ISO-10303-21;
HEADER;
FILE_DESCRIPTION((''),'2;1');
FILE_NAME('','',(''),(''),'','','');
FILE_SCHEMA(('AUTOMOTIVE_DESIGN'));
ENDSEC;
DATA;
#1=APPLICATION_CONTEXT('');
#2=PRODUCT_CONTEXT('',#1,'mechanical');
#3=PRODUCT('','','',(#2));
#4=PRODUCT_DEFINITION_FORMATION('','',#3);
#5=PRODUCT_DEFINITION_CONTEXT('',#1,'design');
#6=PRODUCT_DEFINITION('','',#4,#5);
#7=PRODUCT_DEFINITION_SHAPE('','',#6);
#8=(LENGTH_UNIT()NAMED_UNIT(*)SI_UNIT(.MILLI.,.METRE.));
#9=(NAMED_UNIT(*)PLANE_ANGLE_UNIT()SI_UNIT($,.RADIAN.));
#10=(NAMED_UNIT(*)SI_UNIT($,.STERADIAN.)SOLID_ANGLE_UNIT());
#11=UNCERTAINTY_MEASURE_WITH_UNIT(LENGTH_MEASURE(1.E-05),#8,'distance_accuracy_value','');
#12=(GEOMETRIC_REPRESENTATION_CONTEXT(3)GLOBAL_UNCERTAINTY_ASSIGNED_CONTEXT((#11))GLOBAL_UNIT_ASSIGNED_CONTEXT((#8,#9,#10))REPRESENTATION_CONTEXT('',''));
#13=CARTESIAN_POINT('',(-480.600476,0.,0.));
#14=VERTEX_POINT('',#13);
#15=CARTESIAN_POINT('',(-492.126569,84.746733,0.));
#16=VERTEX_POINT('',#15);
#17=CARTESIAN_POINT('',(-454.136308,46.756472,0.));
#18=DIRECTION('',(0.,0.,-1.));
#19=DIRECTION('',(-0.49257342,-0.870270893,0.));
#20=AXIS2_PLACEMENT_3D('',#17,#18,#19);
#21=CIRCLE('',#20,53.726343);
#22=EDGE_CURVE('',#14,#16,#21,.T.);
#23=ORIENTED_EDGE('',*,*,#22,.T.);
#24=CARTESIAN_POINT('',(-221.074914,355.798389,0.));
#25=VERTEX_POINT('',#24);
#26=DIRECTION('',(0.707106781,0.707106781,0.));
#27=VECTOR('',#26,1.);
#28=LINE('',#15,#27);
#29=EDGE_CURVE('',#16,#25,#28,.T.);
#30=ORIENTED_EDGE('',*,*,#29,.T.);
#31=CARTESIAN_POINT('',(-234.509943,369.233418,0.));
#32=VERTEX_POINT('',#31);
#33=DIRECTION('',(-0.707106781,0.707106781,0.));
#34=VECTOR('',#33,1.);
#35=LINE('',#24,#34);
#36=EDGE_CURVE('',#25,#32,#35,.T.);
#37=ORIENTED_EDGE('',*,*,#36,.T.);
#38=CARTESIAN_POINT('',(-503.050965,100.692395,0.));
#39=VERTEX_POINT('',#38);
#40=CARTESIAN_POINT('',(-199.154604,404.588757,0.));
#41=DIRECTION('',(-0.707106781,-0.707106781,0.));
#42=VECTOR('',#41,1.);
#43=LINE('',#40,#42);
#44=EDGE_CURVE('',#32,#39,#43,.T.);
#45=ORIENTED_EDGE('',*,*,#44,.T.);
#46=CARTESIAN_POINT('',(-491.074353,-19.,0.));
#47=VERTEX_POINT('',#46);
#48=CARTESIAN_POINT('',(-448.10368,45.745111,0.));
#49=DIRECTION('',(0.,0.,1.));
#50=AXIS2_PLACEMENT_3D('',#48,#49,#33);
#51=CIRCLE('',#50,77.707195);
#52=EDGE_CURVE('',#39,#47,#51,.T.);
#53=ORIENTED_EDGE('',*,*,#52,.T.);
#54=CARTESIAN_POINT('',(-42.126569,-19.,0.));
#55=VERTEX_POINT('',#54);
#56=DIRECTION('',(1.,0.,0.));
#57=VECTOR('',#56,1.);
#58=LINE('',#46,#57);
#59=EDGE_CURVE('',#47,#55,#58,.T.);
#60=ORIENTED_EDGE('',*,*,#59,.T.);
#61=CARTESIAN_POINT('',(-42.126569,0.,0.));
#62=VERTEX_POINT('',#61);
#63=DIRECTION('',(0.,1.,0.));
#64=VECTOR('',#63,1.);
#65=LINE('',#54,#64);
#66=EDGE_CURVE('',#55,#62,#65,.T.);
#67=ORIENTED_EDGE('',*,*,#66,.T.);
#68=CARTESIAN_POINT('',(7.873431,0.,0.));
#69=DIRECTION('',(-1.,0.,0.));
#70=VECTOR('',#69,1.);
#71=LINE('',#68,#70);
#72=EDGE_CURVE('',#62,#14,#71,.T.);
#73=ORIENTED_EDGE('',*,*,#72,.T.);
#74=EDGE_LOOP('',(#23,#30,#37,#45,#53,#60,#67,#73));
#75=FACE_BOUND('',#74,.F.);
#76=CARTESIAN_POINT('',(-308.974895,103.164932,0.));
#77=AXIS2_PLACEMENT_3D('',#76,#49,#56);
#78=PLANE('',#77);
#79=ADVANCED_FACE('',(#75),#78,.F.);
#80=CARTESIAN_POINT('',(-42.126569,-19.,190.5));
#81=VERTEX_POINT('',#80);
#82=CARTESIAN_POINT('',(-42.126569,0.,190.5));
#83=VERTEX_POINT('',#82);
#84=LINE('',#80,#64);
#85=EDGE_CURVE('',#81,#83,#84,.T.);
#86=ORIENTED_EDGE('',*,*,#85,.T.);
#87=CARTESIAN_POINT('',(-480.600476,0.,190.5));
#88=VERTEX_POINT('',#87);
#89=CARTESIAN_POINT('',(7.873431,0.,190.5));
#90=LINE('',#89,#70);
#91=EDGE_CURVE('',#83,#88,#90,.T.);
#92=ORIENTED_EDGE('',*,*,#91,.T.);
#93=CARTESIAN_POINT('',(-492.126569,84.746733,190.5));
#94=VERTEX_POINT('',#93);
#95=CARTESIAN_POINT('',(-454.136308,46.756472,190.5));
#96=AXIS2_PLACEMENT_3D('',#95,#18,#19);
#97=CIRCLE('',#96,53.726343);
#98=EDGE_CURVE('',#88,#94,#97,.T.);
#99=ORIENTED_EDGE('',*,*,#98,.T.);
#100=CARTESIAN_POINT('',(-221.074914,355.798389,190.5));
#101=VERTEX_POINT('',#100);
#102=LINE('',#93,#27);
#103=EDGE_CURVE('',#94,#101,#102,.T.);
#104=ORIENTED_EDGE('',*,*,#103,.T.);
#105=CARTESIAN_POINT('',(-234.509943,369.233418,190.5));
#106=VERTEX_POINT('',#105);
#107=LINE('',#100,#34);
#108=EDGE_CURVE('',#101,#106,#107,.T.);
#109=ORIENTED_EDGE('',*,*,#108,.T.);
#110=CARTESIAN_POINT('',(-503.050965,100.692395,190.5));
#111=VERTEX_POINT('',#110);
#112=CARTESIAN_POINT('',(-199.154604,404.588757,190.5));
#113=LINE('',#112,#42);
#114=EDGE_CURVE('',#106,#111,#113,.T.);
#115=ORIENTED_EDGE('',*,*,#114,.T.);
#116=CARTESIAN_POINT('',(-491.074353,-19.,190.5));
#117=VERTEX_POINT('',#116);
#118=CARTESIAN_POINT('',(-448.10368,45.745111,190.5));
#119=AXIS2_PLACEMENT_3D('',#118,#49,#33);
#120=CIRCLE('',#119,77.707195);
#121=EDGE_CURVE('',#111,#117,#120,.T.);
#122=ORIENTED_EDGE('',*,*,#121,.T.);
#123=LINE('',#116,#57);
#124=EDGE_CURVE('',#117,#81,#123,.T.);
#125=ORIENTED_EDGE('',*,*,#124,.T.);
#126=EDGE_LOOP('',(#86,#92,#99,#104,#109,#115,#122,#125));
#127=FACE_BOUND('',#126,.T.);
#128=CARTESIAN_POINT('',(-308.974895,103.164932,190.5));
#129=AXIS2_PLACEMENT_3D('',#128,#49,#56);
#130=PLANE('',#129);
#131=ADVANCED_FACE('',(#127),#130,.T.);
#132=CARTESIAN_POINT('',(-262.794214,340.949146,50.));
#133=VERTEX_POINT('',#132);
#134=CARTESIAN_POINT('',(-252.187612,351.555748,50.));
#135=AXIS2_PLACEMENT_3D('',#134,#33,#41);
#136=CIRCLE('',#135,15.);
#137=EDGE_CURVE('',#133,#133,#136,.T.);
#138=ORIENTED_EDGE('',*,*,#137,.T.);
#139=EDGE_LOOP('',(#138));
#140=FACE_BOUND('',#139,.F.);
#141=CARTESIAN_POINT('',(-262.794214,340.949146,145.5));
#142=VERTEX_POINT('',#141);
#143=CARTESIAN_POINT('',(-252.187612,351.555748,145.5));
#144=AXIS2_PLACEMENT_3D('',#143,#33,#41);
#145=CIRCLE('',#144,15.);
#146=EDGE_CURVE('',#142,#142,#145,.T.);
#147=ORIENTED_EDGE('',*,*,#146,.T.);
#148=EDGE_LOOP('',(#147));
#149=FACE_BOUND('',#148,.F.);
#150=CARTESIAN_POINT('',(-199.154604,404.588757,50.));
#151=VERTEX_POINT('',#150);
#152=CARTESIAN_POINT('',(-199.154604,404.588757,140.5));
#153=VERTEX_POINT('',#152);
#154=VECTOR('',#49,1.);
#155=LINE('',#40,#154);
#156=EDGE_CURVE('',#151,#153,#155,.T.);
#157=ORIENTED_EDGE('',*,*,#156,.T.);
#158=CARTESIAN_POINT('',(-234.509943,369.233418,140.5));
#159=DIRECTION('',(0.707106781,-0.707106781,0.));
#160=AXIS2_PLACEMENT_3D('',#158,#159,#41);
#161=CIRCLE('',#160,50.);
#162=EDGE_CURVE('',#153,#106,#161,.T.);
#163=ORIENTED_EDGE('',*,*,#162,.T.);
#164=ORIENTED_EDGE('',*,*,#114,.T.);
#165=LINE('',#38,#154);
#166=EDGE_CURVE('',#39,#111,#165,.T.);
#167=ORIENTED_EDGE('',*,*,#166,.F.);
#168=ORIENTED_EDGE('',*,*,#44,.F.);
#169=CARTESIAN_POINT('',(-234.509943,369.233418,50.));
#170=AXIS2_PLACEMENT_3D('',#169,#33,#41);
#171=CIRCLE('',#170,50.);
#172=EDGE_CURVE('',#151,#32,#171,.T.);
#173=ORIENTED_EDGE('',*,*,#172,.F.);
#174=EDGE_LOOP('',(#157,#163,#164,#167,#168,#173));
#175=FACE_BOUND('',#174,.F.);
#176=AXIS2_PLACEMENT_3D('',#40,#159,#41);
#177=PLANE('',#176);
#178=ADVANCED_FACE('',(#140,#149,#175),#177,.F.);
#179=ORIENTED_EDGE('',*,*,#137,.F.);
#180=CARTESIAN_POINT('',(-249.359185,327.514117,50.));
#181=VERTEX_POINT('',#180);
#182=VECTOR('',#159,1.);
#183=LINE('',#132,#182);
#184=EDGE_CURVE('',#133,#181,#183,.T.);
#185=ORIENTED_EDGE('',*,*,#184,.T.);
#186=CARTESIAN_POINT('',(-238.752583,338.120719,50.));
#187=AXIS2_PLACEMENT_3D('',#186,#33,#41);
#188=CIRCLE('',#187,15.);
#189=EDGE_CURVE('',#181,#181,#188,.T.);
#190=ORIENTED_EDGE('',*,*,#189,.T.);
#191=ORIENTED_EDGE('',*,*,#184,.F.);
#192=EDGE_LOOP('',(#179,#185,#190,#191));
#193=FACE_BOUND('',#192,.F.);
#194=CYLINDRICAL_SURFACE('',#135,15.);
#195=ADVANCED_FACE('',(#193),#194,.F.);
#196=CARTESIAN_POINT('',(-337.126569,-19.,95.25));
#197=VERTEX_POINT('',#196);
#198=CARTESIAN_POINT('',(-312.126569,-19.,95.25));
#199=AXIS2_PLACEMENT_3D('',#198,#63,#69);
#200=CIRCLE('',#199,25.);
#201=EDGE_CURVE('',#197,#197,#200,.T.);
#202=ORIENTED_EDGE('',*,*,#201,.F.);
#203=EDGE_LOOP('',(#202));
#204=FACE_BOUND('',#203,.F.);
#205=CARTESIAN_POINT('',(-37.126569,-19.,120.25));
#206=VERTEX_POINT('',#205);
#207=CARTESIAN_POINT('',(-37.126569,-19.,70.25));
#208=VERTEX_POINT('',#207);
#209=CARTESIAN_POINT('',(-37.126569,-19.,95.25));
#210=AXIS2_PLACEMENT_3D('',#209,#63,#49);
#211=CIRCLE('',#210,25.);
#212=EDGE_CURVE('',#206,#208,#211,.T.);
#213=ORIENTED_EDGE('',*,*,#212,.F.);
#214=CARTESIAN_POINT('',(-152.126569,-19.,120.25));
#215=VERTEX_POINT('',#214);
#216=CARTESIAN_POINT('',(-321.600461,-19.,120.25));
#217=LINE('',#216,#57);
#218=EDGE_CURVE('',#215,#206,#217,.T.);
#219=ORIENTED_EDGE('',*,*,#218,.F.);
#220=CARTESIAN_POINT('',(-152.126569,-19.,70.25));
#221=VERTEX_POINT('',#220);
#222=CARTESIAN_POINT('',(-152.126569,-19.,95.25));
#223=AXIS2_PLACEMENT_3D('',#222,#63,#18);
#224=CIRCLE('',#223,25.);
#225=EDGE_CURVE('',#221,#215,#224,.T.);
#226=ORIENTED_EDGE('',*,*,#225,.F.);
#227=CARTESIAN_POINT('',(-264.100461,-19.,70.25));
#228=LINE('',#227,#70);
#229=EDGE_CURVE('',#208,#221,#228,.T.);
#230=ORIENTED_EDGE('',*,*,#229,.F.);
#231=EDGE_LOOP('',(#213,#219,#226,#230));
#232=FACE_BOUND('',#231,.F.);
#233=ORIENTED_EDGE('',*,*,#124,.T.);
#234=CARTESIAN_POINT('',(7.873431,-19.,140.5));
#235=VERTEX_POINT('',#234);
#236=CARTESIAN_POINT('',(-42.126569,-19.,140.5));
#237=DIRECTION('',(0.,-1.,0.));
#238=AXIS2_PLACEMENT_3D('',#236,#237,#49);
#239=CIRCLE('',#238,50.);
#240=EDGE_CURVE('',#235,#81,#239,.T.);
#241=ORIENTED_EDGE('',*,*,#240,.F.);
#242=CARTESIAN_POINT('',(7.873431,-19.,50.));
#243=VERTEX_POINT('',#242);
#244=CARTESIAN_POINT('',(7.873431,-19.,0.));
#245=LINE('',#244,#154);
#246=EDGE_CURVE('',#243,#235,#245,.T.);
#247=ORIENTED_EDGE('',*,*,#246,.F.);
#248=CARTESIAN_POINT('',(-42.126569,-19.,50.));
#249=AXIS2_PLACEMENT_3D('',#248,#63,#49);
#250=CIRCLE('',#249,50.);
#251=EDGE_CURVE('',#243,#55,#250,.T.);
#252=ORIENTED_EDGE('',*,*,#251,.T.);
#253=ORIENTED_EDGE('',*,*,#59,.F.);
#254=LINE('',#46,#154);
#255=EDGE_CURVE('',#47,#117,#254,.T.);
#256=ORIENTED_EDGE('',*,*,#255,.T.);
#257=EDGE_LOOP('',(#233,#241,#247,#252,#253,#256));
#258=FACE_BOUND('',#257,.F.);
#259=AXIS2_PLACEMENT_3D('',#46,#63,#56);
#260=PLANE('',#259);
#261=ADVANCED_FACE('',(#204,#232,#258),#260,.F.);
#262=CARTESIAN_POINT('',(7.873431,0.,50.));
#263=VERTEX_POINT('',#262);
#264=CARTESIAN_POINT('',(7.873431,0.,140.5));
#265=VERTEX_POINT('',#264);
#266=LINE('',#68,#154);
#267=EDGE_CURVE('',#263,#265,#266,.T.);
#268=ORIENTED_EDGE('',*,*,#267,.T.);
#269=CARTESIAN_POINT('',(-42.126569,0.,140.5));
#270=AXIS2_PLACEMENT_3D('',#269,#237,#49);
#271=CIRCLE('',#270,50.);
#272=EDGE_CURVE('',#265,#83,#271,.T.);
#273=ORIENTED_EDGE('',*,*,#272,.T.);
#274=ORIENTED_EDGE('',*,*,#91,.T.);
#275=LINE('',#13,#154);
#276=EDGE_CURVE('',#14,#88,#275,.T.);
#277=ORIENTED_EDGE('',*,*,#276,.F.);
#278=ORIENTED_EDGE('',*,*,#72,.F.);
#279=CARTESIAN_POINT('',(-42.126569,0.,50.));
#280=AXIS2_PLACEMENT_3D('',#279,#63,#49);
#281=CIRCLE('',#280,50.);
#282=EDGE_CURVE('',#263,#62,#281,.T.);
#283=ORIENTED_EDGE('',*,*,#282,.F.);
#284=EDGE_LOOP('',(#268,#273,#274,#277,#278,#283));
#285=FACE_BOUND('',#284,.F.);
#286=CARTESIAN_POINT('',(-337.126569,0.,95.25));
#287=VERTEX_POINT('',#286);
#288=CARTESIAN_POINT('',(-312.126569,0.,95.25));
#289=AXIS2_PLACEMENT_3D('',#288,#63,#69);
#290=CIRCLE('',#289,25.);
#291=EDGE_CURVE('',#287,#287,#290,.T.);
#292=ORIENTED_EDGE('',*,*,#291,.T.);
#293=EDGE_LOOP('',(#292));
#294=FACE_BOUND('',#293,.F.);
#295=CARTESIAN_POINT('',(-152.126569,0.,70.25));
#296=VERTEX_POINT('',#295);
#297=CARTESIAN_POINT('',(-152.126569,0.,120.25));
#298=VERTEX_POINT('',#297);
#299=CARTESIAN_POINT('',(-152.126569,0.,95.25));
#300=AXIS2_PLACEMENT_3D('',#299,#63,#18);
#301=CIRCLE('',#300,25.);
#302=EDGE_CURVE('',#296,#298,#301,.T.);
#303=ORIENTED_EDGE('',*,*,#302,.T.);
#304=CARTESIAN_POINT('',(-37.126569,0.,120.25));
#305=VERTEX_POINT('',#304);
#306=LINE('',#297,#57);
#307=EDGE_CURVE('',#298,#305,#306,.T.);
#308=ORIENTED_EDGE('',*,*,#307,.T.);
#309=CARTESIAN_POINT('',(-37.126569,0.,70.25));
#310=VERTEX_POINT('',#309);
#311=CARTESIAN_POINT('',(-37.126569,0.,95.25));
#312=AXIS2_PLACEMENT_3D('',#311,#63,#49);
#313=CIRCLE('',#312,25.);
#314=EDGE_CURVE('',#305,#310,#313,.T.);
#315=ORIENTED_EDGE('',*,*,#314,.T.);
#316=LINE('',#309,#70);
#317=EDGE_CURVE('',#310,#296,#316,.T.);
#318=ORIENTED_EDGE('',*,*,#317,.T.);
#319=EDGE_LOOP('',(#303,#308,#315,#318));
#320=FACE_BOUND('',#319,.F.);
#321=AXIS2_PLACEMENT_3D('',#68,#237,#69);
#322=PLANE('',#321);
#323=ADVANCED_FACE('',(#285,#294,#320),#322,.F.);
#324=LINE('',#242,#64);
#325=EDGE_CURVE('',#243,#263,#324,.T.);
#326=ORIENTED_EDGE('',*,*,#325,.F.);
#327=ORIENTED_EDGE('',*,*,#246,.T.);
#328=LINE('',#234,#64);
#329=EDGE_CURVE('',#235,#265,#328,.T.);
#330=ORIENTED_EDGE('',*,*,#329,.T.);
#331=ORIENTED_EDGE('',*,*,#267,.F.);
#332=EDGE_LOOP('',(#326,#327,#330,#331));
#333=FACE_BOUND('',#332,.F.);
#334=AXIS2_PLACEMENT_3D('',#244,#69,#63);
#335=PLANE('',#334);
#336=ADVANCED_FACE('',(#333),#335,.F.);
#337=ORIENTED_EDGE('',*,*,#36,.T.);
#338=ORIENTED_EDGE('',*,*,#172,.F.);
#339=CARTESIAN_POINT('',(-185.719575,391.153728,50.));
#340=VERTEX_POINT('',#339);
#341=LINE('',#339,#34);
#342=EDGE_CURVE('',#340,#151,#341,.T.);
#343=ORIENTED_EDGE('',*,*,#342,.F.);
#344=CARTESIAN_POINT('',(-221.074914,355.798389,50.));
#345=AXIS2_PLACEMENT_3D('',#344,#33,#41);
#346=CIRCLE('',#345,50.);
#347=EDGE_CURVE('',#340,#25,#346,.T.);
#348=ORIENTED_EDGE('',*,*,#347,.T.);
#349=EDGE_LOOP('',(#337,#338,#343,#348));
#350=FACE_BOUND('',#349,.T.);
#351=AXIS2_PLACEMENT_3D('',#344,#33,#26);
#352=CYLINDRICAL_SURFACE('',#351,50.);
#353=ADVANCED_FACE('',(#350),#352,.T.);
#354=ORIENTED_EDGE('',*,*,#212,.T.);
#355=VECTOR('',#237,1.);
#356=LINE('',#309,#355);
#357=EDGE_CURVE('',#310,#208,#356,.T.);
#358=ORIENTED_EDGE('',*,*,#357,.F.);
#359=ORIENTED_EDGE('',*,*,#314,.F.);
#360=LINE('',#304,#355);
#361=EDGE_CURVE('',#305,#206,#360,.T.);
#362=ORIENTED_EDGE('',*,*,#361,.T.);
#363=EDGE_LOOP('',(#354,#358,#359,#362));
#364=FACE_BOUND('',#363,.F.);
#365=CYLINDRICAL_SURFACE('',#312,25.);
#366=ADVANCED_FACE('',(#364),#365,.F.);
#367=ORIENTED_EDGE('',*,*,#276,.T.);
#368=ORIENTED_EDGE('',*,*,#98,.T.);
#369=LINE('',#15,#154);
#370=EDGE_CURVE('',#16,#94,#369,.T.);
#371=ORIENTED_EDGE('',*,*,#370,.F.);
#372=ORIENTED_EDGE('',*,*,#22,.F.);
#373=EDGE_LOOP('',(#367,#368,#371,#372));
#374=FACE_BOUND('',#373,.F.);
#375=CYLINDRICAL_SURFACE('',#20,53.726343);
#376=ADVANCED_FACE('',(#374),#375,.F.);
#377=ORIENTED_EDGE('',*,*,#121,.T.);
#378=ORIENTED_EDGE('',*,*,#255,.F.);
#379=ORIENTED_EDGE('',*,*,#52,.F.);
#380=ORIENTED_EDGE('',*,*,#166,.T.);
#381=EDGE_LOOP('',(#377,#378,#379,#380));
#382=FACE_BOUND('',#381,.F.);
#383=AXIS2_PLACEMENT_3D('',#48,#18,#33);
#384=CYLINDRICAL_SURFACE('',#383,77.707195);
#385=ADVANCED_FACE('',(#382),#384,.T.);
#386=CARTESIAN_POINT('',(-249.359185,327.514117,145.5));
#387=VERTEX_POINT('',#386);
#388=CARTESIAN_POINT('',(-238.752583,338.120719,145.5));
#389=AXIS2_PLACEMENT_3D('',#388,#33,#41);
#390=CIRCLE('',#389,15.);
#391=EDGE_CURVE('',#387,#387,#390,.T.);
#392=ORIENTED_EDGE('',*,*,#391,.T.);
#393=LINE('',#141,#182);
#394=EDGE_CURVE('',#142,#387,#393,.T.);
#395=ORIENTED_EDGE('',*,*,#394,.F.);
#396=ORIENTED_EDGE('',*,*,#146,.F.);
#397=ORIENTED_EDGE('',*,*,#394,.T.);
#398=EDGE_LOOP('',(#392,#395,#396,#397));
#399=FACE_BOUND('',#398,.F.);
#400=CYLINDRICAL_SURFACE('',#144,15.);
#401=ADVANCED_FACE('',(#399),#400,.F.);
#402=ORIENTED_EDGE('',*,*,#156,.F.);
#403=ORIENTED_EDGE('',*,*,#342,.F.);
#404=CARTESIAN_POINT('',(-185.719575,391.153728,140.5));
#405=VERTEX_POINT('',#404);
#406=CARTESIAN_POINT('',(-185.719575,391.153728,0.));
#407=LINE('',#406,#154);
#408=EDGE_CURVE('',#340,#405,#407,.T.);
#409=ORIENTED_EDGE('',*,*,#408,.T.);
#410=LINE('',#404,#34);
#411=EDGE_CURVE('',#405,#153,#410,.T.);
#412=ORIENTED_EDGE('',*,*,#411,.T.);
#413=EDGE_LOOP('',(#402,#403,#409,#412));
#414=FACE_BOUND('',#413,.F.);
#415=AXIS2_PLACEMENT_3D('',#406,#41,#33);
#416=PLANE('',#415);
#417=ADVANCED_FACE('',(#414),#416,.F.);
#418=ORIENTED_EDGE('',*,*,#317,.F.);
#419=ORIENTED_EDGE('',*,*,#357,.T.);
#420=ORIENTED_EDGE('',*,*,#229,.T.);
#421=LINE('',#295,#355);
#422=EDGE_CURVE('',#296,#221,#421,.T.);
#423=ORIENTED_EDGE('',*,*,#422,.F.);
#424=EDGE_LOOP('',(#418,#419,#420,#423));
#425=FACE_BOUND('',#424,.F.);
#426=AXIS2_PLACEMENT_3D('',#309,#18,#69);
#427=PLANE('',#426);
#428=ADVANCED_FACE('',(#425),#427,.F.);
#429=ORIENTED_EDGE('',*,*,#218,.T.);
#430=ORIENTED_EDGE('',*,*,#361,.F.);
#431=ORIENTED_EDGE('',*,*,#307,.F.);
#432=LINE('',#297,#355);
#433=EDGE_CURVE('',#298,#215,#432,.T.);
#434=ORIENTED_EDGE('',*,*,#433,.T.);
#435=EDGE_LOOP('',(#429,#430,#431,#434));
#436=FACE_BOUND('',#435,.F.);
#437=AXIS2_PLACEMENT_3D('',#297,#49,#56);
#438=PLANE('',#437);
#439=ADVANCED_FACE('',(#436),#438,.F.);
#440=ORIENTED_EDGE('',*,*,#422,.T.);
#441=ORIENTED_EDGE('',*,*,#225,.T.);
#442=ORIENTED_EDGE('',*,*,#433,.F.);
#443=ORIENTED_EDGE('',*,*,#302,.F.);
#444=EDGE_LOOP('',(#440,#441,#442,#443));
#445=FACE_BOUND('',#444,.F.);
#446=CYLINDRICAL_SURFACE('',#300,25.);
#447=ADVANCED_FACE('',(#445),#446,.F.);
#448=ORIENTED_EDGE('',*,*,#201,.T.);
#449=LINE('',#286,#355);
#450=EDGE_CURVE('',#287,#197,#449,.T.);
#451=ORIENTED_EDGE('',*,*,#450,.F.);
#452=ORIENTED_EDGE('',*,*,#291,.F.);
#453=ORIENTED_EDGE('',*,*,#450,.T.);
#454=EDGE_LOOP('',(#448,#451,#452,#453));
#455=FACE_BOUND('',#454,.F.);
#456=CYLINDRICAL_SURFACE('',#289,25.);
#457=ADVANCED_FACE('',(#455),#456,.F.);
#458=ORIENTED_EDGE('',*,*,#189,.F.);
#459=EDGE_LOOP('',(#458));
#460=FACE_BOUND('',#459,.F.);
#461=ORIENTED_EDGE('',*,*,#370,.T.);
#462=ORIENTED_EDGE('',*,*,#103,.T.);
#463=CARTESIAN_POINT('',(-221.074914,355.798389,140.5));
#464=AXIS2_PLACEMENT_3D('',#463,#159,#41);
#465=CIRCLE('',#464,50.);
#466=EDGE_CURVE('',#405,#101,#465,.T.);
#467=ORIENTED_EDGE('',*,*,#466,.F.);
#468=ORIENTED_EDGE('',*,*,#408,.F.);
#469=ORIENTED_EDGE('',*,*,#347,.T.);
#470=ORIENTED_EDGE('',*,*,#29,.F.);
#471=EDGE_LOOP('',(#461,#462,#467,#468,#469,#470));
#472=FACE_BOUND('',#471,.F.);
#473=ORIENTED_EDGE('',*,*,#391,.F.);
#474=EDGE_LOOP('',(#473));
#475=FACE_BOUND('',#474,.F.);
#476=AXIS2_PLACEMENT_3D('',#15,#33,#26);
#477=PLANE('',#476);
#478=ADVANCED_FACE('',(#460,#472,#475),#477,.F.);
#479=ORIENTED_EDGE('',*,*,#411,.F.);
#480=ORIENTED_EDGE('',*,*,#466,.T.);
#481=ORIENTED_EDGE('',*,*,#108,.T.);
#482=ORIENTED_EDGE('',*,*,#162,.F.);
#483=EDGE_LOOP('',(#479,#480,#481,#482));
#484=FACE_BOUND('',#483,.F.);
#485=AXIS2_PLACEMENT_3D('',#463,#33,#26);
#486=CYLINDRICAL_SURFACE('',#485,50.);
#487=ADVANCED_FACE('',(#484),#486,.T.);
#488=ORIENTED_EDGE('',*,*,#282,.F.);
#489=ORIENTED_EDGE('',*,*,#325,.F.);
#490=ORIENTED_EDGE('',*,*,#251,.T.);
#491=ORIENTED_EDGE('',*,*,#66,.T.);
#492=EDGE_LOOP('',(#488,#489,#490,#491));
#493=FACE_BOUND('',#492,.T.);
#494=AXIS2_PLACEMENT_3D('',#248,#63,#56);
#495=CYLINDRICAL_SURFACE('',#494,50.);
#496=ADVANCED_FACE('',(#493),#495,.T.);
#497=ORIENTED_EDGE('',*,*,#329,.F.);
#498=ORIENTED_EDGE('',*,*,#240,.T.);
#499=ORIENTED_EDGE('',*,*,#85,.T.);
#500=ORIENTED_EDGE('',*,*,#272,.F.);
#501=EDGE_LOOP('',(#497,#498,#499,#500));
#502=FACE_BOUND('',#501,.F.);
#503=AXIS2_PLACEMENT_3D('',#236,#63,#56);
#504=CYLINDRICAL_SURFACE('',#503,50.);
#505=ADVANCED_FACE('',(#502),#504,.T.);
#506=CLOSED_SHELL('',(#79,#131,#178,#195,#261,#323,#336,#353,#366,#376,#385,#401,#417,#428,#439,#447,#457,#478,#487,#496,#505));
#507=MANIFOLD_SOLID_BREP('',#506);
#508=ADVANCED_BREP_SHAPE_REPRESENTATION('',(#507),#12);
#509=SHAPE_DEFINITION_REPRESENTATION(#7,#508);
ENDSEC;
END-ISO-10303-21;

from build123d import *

# Parameters (mm, degrees)
F1_DEPTH = 190.5
F2_R     = 50
F3_R     = 15
F4_DEPTH = 101.6
F5_R     = 25
F6_DEPTH = 101.6


with BuildPart() as f1:
    # F0 (on Top) → F1 (new body)
    with BuildSketch(Plane.XY):
        with BuildLine():
            Line((7.8734308481, 0), (-480.600476265, 0))
            ThreePointArc((-480.600476265, 0), (-507.3725322107, 39.5160081985), (-492.1265691519, 84.7467333078))
            Line((-492.1265691519, 84.7467333078), (-185.7195747427, 391.1537277171))
            Line((-185.7195747427, 391.1537277171), (-199.1546035852, 404.5887565596))
            Line((-199.1546035852, 404.5887565596), (-503.0509646748, 100.69239547))
            ThreePointArc((-503.0509646748, 100.69239547), (-525.4247574788, 38.0082411155), (-491.0743534565, -19))
            Line((-491.0743534565, -19), (7.8734308481, -19))
            Line((7.8734308481, -19), (7.8734308481, 0))
        make_face()
    extrude(amount=F1_DEPTH)

    # F2
    f2_edges = [f1.edges().sort_by_distance(p)[0] for p in [
        (-192.437089, 397.871242, 190.5),
        (-192.437089, 397.871242, 0),
        (7.873431, -9.5, 190.5),
        (7.873431, -9.5, 0),
    ]]
    fillet(f2_edges, radius=F2_R)

    # F3 (on face) → F4 (cut)
    with BuildSketch(Plane(origin=(-301.8716800724, 301.8716800724, 0), x_dir=(-0.7071067812, -0.7071067812, 0), z_dir=(-0.7071067812, 0.7071067812, 0))):
        with Locations((-70.2638826555, 145.5)):
            Circle(F3_R)
        with Locations((-70.2638826555, 50)):
            Circle(F3_R)
    extrude(amount=-F4_DEPTH, mode=Mode.SUBTRACT)

    # F5 (on face) → F6 (cut)
    with BuildSketch(Plane(origin=(0, 0, 0), x_dir=(-1, 0, 0), z_dir=(0, 1, 0))):
        with Locations((312.1265691519, 95.25)):
            Circle(F5_R)
        with BuildLine():
            Line((152.1265691519, 120.25), (37.1265691519, 120.25))
            ThreePointArc((37.1265691519, 120.25), (12.1265691519, 95.25), (37.1265691519, 70.25))
            Line((37.1265691519, 70.25), (152.1265691519, 70.25))
            ThreePointArc((152.1265691519, 70.25), (177.1265691519, 95.25), (152.1265691519, 120.25))
        make_face()
    extrude(amount=-F6_DEPTH, mode=Mode.SUBTRACT)


solid = f1.part
